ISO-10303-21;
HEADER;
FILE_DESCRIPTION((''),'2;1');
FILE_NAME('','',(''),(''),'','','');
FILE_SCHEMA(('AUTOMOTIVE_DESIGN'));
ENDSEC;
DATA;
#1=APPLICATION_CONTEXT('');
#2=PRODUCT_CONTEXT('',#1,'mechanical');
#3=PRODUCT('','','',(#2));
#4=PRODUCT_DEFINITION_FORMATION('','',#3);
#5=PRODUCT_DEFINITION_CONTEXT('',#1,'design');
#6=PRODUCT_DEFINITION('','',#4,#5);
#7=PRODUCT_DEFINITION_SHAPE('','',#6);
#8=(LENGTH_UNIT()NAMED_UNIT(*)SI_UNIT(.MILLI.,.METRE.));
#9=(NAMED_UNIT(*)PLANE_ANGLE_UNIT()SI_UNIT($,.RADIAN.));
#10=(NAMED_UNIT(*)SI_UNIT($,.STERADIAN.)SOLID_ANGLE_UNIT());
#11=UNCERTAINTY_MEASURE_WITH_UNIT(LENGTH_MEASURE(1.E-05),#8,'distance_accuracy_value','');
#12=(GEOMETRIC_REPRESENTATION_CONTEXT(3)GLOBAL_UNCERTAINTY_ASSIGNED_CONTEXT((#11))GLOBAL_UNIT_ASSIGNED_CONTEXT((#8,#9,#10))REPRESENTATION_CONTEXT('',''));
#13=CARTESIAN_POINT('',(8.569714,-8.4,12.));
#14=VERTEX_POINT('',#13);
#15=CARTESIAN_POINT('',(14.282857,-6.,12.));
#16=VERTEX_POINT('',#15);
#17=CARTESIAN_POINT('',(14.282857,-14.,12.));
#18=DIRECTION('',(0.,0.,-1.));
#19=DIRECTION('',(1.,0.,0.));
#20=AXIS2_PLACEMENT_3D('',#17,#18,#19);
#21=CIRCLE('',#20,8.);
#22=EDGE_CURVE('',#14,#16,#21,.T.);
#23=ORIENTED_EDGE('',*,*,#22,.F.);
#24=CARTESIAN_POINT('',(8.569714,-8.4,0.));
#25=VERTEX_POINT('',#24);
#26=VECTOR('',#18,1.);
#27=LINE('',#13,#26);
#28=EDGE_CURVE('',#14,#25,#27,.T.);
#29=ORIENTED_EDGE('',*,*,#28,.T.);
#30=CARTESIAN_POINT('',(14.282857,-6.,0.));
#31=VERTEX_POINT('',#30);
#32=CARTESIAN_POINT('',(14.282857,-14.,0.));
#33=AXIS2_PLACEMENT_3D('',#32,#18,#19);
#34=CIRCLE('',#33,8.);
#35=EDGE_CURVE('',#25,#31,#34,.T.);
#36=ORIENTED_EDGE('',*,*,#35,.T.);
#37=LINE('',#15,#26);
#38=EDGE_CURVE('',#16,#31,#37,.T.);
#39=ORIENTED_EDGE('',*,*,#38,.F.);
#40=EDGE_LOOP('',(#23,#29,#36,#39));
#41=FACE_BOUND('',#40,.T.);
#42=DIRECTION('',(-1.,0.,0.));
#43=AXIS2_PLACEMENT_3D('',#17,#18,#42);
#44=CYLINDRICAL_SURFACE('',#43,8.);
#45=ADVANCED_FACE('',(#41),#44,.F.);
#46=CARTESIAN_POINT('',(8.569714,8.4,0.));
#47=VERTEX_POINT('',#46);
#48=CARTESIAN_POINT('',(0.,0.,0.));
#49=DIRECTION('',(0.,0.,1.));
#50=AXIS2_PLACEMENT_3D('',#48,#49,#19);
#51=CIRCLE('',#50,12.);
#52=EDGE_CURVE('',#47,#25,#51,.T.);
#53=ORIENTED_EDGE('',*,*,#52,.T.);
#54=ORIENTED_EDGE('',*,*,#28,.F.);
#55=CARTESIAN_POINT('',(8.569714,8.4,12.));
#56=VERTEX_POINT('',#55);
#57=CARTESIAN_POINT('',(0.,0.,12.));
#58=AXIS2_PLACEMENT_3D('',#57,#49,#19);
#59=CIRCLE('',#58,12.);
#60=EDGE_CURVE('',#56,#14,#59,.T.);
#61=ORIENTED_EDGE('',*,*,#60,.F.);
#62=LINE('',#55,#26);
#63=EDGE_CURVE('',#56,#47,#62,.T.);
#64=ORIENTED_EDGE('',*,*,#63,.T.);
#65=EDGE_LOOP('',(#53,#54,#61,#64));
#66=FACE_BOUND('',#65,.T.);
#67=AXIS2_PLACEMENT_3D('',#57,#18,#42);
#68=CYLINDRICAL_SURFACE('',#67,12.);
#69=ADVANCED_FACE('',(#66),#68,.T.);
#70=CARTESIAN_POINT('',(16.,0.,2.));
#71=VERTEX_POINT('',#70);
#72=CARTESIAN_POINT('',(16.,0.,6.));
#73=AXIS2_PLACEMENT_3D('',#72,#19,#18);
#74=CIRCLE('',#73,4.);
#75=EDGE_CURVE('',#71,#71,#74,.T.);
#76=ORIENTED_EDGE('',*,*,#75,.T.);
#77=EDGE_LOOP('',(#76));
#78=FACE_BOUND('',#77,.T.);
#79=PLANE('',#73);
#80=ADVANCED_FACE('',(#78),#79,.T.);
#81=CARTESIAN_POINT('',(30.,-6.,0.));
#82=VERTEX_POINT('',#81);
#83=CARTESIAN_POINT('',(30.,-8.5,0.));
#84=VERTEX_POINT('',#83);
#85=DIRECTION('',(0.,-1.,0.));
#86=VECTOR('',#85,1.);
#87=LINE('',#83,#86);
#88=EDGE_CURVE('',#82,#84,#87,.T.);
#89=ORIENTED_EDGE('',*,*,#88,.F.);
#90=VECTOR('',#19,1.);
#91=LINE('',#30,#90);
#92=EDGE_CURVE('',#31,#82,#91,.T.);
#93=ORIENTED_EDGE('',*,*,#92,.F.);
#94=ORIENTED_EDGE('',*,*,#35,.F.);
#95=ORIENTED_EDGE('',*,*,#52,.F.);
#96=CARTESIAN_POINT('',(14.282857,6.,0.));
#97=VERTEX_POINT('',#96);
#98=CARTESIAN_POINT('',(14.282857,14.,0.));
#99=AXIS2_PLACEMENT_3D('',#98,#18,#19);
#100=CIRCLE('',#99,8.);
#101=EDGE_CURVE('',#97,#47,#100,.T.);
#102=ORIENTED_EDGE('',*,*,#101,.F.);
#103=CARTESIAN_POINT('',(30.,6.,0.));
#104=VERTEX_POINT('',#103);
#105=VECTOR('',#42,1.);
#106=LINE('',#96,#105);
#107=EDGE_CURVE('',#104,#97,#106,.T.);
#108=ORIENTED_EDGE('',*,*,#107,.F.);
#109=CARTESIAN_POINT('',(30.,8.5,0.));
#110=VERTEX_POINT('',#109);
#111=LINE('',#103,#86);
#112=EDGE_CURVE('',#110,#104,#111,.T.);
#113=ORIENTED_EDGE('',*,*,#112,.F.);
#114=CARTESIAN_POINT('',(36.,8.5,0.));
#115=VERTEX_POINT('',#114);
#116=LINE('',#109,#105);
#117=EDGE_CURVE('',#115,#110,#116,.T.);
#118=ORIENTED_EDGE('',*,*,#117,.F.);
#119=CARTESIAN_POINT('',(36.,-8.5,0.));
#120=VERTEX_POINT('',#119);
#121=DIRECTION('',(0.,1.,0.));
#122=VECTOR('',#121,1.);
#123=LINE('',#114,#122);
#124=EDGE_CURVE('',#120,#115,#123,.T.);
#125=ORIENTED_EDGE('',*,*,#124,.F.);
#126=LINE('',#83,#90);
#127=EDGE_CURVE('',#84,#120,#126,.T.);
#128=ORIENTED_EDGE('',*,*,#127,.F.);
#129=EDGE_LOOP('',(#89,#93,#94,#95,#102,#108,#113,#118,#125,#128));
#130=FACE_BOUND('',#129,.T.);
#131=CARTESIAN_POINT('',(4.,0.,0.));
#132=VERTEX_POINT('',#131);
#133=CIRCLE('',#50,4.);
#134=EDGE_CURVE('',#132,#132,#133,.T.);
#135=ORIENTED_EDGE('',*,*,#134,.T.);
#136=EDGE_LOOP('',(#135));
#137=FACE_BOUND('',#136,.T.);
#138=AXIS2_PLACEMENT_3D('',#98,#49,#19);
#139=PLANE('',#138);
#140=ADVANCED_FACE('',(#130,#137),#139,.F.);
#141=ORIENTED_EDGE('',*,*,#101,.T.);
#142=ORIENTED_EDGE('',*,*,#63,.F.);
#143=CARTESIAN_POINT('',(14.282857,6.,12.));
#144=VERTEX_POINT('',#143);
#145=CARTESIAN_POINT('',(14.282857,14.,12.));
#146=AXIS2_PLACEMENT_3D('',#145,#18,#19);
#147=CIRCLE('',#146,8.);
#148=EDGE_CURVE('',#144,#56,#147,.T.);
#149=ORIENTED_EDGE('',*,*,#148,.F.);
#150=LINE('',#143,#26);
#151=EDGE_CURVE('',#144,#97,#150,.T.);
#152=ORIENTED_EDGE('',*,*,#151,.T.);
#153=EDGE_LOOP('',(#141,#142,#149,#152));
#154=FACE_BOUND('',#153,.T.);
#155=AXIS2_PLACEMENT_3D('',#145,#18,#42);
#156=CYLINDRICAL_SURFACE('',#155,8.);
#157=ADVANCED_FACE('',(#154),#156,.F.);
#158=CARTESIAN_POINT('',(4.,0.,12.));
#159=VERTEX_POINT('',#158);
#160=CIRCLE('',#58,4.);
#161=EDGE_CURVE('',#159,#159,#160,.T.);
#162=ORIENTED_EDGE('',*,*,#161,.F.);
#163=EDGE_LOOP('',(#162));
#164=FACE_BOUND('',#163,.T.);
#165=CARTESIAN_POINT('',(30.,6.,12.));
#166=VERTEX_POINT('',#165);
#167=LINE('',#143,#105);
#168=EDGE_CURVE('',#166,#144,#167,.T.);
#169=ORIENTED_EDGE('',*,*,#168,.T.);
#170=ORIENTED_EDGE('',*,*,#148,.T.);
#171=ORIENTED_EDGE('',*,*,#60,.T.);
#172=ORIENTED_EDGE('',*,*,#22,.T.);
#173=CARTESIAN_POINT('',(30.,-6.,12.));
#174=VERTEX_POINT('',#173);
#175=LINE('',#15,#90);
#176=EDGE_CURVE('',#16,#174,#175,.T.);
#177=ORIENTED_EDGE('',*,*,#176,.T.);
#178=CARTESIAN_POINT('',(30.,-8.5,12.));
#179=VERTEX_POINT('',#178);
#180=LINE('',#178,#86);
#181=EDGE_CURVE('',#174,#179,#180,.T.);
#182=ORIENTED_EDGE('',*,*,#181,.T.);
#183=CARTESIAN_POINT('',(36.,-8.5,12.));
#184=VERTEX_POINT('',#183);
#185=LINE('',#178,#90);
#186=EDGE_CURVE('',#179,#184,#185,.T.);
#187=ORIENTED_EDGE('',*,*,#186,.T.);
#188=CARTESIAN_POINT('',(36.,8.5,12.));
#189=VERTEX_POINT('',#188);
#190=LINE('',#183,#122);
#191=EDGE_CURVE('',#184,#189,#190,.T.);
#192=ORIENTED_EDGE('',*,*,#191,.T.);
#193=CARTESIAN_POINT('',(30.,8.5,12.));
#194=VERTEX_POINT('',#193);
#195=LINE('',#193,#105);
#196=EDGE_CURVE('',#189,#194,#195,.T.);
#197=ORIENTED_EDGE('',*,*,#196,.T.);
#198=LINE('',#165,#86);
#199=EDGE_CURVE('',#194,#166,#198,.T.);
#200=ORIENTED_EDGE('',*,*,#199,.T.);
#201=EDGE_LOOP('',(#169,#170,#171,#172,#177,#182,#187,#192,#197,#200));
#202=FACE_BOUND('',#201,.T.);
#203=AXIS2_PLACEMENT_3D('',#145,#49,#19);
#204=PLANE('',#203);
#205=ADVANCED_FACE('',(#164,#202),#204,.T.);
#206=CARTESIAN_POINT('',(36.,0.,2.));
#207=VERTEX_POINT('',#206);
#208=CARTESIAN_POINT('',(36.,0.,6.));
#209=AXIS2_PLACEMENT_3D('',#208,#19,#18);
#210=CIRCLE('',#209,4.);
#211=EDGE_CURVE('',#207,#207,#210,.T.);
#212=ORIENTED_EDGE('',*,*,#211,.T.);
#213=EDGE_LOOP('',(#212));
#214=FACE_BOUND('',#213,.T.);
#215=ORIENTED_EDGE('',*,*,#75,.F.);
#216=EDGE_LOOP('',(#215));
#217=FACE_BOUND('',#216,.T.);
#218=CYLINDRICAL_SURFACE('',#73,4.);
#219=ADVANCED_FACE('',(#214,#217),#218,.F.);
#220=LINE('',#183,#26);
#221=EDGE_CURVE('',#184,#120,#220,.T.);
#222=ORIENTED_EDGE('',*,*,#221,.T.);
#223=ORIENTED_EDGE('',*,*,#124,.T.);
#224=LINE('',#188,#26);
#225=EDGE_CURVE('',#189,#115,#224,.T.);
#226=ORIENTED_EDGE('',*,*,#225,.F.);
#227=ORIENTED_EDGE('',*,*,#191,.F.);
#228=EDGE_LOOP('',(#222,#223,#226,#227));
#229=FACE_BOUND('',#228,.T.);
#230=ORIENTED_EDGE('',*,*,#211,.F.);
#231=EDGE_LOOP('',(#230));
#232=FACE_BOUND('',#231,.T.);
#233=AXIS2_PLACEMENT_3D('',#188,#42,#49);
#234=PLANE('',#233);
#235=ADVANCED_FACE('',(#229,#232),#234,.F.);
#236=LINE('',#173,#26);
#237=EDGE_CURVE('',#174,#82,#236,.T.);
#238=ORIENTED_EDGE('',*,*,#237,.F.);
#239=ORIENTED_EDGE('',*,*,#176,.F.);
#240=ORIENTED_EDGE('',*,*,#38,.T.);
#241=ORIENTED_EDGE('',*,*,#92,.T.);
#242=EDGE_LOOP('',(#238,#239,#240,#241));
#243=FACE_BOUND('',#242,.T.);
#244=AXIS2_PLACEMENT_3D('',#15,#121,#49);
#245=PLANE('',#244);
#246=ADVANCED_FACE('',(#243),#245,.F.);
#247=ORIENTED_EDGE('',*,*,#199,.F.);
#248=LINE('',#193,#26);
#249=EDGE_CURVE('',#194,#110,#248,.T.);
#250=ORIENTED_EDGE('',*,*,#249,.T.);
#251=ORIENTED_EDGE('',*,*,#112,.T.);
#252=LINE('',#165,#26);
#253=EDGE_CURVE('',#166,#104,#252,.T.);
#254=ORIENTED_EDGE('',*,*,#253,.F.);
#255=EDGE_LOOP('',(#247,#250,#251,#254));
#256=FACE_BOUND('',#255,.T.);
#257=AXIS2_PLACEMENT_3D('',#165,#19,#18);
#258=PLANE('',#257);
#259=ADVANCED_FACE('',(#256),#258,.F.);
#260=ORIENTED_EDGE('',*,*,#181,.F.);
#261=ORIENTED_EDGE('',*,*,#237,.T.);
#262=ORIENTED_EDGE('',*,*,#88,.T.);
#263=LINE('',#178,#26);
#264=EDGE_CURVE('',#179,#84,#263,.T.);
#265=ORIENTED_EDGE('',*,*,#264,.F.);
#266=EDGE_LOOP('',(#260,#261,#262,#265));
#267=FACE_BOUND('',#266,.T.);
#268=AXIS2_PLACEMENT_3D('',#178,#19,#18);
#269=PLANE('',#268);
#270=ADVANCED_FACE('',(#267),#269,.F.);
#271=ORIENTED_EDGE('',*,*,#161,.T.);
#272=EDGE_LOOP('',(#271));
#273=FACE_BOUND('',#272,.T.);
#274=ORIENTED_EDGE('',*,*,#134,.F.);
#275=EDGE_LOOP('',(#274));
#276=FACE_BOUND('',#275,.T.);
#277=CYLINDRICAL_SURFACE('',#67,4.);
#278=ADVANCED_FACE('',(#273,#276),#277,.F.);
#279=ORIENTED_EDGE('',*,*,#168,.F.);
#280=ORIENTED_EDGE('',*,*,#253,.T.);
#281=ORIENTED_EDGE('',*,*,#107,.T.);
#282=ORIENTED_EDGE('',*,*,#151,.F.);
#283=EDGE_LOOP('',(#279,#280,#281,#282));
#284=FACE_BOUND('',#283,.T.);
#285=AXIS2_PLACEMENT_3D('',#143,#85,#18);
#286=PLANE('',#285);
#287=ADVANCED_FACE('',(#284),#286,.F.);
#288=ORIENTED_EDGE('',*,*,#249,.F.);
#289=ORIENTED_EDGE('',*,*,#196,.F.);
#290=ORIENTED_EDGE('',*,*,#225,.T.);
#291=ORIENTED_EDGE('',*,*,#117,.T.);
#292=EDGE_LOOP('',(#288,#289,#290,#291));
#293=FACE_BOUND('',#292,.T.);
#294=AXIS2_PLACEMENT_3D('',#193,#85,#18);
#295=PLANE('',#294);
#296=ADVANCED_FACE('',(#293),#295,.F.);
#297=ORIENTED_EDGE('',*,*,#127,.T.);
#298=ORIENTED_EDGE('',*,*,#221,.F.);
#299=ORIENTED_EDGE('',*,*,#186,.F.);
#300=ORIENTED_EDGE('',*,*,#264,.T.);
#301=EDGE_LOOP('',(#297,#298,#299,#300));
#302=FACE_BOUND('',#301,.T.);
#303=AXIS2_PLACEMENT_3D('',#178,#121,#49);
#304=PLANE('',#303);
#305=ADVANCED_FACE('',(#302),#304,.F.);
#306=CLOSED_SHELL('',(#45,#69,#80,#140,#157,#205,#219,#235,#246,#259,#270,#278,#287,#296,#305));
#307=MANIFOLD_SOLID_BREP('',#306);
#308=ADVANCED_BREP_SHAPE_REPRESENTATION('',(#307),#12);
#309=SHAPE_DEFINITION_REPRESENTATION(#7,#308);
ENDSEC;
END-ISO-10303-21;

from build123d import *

# Parameters (mm, degrees)
SKETCH_2_R          = 4
EXTRUDE_1_DEPTH     = 12
SKETCH_3_R          = 4
CUT_EXTRUDE_1_DEPTH = 20


with BuildPart() as part:
    # 草图2 → 凸台-拉伸1 (new body)
    with BuildSketch(Plane.XY):
        with BuildLine():
            Line((14.282856857, 6), (30, 6))
            Line((30, 6), (30, 8.5))
            Line((30, 8.5), (36, 8.5))
            Line((36, 8.5), (36, 0))
            Line((36, 0), (36, -8.5))
            Line((36, -8.5), (30, -8.5))
            Line((30, -8.5), (30, -6))
            Line((30, -6), (14.282856857, -6))
            ThreePointArc((14.282856857, -6), (11.18447018, -6.624364434), (8.569714114, -8.4))
            ThreePointArc((8.569714114, -8.4), (-12, 0), (8.569714114, 8.4))
            ThreePointArc((8.569714114, 8.4), (11.18447018, 6.624364434), (14.282856857, 6))
        make_face()
        Circle(SKETCH_2_R, mode=Mode.SUBTRACT)
    extrude(amount=EXTRUDE_1_DEPTH)

    # 草图3 → 切除-拉伸1 (cut)
    with BuildSketch(Plane(origin=(36, 0, 0), x_dir=(0, 0, -1), z_dir=(1, 0, 0))):
        with Locations((-6, 0)):
            Circle(SKETCH_3_R)
    extrude(amount=-CUT_EXTRUDE_1_DEPTH, mode=Mode.SUBTRACT)


solid = part.part
